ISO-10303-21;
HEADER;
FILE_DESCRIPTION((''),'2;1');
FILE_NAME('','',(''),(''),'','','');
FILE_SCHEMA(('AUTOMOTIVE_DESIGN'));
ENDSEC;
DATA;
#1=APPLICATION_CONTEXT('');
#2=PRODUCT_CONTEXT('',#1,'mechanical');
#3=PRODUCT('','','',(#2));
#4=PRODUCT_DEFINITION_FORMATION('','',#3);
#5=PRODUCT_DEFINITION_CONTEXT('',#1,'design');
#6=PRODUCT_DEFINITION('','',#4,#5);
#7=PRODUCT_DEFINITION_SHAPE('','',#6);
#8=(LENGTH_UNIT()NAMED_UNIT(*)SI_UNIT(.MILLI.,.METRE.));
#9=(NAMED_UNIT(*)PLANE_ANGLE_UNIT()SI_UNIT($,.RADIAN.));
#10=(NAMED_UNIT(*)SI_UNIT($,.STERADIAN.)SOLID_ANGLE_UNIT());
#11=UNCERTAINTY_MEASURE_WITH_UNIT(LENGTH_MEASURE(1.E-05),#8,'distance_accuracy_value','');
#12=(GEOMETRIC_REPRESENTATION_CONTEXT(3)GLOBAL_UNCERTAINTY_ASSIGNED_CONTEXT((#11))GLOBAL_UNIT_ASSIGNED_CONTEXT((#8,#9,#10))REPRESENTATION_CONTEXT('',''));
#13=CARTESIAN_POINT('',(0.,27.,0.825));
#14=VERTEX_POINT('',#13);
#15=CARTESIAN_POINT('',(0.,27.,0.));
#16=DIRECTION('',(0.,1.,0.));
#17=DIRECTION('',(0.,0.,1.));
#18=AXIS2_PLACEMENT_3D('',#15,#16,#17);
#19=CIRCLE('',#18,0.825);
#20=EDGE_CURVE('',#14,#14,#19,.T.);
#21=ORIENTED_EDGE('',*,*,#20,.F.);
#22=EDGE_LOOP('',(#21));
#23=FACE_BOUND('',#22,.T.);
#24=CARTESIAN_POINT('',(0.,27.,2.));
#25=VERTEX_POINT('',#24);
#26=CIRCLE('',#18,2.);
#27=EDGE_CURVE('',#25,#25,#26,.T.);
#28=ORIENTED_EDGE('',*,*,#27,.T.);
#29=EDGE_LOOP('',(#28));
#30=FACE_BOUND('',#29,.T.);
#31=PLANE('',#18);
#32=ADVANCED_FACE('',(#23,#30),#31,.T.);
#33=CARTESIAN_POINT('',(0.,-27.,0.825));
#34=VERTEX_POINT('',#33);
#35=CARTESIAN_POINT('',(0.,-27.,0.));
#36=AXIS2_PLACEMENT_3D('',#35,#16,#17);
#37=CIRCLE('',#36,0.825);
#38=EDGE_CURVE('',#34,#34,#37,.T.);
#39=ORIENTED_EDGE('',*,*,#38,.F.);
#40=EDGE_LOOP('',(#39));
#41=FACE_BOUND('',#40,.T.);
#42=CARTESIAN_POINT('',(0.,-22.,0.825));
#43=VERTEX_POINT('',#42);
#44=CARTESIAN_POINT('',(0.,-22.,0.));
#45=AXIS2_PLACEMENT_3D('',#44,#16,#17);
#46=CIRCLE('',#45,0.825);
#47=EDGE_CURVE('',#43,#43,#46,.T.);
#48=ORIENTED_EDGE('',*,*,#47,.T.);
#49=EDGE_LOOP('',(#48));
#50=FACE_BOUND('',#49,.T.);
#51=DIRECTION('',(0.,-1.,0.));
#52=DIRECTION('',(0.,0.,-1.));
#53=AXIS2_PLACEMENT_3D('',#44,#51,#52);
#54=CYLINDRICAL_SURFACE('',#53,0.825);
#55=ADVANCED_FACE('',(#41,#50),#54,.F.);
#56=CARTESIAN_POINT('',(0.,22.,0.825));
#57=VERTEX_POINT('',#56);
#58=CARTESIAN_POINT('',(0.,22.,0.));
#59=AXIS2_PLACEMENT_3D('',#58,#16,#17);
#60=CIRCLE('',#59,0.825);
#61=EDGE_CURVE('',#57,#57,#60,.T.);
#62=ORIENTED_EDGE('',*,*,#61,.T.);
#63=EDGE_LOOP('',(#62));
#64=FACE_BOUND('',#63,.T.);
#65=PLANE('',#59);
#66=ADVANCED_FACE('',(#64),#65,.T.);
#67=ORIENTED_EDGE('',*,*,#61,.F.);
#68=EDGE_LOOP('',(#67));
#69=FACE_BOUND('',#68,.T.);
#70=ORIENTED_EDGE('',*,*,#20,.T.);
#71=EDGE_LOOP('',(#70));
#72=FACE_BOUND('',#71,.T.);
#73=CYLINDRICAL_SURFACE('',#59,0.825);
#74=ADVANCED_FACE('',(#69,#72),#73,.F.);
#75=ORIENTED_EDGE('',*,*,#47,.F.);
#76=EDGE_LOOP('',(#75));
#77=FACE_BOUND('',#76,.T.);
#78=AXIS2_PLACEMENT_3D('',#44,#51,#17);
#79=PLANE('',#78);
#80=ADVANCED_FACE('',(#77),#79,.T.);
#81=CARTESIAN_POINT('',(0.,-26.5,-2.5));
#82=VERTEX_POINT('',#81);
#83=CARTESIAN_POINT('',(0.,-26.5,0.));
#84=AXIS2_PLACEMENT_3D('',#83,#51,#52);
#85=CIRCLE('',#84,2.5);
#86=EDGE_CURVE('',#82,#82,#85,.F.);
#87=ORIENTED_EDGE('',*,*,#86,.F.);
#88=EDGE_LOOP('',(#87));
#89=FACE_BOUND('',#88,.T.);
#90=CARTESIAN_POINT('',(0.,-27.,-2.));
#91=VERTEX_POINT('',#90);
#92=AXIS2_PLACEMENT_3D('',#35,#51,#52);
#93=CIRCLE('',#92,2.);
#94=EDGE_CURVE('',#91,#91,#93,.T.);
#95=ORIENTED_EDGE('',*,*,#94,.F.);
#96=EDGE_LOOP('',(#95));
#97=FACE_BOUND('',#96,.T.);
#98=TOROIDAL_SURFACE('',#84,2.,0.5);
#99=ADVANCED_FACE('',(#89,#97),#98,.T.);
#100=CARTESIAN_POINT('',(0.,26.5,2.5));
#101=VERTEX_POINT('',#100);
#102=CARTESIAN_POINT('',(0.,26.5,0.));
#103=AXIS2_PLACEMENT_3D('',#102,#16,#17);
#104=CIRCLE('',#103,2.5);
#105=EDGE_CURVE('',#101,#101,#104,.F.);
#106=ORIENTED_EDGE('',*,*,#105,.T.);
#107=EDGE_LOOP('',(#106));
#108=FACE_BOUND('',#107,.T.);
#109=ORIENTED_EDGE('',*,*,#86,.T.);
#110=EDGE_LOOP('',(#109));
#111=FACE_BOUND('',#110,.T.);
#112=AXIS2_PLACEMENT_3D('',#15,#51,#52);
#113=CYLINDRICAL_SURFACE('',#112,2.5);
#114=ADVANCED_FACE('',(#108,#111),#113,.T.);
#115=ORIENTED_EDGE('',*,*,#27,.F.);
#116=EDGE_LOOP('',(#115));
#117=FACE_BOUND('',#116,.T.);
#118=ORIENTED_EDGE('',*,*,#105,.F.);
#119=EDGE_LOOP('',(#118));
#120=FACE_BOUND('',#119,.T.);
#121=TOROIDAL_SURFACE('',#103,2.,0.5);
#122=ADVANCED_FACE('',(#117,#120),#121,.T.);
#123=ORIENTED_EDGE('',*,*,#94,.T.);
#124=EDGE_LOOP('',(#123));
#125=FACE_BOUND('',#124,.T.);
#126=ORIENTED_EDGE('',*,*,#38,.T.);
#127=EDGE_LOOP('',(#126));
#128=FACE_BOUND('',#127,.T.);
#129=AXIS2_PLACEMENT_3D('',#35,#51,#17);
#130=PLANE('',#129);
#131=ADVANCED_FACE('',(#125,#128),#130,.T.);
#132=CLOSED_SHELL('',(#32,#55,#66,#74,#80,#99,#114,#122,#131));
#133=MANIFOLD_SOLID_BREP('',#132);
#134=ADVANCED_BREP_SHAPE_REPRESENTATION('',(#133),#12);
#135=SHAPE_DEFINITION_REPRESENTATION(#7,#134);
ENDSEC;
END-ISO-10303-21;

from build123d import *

# Parameters (mm, degrees)
SKETCH1_R            = 2.5
BOSS_EXTRUDE1_DEPTH  = 27
SKETCH2_R            = 0.825
CUT_EXTRUDE1_DEPTH   = 5
FILLET1_R            = 0.5
FILLET1_OF_MIRROR1_R = 0.5


with BuildPart() as part:
    # Sketch1 → Boss-Extrude1 (new body)
    with BuildSketch(Plane(origin=(0, 0, 0), x_dir=(1, 0, 0), z_dir=(0, 1, 0))):
        with Locations(Location((0, 0, 0), (0, 0, 270))):
            Circle(SKETCH1_R)
    boss_extrude1 = extrude(amount=BOSS_EXTRUDE1_DEPTH)

    # Sketch2 → Cut-Extrude1 (cut)
    with BuildSketch(Plane(origin=(0, 27, 0), x_dir=(1, 0, 0), z_dir=(0, 1, 0))):
        with Locations(Location((0, 0, 0), (0, 0, 270))):
            Circle(SKETCH2_R)
    cut_extrude1 = extrude(amount=-CUT_EXTRUDE1_DEPTH, mode=Mode.SUBTRACT)

    # Fillet1
    fillet1_edges = [part.edges().sort_by_distance(p)[0] for p in [
        (0, 27, -2.5),
    ]]
    fillet(fillet1_edges, radius=FILLET1_R)

    # Mirror1: Boss-Extrude1, Cut-Extrude1 across plane
    add(boss_extrude1.mirror(Plane.ZX))
    add(cut_extrude1.mirror(Plane.ZX), mode=Mode.SUBTRACT)

    # Fillet1 of Mirror1
    fillet1_of_mirror1_edges = [part.edges().sort_by_distance(p)[0] for p in [
        (0, -27, -2.5),
    ]]
    fillet(fillet1_of_mirror1_edges, radius=FILLET1_OF_MIRROR1_R)


solid = part.part
